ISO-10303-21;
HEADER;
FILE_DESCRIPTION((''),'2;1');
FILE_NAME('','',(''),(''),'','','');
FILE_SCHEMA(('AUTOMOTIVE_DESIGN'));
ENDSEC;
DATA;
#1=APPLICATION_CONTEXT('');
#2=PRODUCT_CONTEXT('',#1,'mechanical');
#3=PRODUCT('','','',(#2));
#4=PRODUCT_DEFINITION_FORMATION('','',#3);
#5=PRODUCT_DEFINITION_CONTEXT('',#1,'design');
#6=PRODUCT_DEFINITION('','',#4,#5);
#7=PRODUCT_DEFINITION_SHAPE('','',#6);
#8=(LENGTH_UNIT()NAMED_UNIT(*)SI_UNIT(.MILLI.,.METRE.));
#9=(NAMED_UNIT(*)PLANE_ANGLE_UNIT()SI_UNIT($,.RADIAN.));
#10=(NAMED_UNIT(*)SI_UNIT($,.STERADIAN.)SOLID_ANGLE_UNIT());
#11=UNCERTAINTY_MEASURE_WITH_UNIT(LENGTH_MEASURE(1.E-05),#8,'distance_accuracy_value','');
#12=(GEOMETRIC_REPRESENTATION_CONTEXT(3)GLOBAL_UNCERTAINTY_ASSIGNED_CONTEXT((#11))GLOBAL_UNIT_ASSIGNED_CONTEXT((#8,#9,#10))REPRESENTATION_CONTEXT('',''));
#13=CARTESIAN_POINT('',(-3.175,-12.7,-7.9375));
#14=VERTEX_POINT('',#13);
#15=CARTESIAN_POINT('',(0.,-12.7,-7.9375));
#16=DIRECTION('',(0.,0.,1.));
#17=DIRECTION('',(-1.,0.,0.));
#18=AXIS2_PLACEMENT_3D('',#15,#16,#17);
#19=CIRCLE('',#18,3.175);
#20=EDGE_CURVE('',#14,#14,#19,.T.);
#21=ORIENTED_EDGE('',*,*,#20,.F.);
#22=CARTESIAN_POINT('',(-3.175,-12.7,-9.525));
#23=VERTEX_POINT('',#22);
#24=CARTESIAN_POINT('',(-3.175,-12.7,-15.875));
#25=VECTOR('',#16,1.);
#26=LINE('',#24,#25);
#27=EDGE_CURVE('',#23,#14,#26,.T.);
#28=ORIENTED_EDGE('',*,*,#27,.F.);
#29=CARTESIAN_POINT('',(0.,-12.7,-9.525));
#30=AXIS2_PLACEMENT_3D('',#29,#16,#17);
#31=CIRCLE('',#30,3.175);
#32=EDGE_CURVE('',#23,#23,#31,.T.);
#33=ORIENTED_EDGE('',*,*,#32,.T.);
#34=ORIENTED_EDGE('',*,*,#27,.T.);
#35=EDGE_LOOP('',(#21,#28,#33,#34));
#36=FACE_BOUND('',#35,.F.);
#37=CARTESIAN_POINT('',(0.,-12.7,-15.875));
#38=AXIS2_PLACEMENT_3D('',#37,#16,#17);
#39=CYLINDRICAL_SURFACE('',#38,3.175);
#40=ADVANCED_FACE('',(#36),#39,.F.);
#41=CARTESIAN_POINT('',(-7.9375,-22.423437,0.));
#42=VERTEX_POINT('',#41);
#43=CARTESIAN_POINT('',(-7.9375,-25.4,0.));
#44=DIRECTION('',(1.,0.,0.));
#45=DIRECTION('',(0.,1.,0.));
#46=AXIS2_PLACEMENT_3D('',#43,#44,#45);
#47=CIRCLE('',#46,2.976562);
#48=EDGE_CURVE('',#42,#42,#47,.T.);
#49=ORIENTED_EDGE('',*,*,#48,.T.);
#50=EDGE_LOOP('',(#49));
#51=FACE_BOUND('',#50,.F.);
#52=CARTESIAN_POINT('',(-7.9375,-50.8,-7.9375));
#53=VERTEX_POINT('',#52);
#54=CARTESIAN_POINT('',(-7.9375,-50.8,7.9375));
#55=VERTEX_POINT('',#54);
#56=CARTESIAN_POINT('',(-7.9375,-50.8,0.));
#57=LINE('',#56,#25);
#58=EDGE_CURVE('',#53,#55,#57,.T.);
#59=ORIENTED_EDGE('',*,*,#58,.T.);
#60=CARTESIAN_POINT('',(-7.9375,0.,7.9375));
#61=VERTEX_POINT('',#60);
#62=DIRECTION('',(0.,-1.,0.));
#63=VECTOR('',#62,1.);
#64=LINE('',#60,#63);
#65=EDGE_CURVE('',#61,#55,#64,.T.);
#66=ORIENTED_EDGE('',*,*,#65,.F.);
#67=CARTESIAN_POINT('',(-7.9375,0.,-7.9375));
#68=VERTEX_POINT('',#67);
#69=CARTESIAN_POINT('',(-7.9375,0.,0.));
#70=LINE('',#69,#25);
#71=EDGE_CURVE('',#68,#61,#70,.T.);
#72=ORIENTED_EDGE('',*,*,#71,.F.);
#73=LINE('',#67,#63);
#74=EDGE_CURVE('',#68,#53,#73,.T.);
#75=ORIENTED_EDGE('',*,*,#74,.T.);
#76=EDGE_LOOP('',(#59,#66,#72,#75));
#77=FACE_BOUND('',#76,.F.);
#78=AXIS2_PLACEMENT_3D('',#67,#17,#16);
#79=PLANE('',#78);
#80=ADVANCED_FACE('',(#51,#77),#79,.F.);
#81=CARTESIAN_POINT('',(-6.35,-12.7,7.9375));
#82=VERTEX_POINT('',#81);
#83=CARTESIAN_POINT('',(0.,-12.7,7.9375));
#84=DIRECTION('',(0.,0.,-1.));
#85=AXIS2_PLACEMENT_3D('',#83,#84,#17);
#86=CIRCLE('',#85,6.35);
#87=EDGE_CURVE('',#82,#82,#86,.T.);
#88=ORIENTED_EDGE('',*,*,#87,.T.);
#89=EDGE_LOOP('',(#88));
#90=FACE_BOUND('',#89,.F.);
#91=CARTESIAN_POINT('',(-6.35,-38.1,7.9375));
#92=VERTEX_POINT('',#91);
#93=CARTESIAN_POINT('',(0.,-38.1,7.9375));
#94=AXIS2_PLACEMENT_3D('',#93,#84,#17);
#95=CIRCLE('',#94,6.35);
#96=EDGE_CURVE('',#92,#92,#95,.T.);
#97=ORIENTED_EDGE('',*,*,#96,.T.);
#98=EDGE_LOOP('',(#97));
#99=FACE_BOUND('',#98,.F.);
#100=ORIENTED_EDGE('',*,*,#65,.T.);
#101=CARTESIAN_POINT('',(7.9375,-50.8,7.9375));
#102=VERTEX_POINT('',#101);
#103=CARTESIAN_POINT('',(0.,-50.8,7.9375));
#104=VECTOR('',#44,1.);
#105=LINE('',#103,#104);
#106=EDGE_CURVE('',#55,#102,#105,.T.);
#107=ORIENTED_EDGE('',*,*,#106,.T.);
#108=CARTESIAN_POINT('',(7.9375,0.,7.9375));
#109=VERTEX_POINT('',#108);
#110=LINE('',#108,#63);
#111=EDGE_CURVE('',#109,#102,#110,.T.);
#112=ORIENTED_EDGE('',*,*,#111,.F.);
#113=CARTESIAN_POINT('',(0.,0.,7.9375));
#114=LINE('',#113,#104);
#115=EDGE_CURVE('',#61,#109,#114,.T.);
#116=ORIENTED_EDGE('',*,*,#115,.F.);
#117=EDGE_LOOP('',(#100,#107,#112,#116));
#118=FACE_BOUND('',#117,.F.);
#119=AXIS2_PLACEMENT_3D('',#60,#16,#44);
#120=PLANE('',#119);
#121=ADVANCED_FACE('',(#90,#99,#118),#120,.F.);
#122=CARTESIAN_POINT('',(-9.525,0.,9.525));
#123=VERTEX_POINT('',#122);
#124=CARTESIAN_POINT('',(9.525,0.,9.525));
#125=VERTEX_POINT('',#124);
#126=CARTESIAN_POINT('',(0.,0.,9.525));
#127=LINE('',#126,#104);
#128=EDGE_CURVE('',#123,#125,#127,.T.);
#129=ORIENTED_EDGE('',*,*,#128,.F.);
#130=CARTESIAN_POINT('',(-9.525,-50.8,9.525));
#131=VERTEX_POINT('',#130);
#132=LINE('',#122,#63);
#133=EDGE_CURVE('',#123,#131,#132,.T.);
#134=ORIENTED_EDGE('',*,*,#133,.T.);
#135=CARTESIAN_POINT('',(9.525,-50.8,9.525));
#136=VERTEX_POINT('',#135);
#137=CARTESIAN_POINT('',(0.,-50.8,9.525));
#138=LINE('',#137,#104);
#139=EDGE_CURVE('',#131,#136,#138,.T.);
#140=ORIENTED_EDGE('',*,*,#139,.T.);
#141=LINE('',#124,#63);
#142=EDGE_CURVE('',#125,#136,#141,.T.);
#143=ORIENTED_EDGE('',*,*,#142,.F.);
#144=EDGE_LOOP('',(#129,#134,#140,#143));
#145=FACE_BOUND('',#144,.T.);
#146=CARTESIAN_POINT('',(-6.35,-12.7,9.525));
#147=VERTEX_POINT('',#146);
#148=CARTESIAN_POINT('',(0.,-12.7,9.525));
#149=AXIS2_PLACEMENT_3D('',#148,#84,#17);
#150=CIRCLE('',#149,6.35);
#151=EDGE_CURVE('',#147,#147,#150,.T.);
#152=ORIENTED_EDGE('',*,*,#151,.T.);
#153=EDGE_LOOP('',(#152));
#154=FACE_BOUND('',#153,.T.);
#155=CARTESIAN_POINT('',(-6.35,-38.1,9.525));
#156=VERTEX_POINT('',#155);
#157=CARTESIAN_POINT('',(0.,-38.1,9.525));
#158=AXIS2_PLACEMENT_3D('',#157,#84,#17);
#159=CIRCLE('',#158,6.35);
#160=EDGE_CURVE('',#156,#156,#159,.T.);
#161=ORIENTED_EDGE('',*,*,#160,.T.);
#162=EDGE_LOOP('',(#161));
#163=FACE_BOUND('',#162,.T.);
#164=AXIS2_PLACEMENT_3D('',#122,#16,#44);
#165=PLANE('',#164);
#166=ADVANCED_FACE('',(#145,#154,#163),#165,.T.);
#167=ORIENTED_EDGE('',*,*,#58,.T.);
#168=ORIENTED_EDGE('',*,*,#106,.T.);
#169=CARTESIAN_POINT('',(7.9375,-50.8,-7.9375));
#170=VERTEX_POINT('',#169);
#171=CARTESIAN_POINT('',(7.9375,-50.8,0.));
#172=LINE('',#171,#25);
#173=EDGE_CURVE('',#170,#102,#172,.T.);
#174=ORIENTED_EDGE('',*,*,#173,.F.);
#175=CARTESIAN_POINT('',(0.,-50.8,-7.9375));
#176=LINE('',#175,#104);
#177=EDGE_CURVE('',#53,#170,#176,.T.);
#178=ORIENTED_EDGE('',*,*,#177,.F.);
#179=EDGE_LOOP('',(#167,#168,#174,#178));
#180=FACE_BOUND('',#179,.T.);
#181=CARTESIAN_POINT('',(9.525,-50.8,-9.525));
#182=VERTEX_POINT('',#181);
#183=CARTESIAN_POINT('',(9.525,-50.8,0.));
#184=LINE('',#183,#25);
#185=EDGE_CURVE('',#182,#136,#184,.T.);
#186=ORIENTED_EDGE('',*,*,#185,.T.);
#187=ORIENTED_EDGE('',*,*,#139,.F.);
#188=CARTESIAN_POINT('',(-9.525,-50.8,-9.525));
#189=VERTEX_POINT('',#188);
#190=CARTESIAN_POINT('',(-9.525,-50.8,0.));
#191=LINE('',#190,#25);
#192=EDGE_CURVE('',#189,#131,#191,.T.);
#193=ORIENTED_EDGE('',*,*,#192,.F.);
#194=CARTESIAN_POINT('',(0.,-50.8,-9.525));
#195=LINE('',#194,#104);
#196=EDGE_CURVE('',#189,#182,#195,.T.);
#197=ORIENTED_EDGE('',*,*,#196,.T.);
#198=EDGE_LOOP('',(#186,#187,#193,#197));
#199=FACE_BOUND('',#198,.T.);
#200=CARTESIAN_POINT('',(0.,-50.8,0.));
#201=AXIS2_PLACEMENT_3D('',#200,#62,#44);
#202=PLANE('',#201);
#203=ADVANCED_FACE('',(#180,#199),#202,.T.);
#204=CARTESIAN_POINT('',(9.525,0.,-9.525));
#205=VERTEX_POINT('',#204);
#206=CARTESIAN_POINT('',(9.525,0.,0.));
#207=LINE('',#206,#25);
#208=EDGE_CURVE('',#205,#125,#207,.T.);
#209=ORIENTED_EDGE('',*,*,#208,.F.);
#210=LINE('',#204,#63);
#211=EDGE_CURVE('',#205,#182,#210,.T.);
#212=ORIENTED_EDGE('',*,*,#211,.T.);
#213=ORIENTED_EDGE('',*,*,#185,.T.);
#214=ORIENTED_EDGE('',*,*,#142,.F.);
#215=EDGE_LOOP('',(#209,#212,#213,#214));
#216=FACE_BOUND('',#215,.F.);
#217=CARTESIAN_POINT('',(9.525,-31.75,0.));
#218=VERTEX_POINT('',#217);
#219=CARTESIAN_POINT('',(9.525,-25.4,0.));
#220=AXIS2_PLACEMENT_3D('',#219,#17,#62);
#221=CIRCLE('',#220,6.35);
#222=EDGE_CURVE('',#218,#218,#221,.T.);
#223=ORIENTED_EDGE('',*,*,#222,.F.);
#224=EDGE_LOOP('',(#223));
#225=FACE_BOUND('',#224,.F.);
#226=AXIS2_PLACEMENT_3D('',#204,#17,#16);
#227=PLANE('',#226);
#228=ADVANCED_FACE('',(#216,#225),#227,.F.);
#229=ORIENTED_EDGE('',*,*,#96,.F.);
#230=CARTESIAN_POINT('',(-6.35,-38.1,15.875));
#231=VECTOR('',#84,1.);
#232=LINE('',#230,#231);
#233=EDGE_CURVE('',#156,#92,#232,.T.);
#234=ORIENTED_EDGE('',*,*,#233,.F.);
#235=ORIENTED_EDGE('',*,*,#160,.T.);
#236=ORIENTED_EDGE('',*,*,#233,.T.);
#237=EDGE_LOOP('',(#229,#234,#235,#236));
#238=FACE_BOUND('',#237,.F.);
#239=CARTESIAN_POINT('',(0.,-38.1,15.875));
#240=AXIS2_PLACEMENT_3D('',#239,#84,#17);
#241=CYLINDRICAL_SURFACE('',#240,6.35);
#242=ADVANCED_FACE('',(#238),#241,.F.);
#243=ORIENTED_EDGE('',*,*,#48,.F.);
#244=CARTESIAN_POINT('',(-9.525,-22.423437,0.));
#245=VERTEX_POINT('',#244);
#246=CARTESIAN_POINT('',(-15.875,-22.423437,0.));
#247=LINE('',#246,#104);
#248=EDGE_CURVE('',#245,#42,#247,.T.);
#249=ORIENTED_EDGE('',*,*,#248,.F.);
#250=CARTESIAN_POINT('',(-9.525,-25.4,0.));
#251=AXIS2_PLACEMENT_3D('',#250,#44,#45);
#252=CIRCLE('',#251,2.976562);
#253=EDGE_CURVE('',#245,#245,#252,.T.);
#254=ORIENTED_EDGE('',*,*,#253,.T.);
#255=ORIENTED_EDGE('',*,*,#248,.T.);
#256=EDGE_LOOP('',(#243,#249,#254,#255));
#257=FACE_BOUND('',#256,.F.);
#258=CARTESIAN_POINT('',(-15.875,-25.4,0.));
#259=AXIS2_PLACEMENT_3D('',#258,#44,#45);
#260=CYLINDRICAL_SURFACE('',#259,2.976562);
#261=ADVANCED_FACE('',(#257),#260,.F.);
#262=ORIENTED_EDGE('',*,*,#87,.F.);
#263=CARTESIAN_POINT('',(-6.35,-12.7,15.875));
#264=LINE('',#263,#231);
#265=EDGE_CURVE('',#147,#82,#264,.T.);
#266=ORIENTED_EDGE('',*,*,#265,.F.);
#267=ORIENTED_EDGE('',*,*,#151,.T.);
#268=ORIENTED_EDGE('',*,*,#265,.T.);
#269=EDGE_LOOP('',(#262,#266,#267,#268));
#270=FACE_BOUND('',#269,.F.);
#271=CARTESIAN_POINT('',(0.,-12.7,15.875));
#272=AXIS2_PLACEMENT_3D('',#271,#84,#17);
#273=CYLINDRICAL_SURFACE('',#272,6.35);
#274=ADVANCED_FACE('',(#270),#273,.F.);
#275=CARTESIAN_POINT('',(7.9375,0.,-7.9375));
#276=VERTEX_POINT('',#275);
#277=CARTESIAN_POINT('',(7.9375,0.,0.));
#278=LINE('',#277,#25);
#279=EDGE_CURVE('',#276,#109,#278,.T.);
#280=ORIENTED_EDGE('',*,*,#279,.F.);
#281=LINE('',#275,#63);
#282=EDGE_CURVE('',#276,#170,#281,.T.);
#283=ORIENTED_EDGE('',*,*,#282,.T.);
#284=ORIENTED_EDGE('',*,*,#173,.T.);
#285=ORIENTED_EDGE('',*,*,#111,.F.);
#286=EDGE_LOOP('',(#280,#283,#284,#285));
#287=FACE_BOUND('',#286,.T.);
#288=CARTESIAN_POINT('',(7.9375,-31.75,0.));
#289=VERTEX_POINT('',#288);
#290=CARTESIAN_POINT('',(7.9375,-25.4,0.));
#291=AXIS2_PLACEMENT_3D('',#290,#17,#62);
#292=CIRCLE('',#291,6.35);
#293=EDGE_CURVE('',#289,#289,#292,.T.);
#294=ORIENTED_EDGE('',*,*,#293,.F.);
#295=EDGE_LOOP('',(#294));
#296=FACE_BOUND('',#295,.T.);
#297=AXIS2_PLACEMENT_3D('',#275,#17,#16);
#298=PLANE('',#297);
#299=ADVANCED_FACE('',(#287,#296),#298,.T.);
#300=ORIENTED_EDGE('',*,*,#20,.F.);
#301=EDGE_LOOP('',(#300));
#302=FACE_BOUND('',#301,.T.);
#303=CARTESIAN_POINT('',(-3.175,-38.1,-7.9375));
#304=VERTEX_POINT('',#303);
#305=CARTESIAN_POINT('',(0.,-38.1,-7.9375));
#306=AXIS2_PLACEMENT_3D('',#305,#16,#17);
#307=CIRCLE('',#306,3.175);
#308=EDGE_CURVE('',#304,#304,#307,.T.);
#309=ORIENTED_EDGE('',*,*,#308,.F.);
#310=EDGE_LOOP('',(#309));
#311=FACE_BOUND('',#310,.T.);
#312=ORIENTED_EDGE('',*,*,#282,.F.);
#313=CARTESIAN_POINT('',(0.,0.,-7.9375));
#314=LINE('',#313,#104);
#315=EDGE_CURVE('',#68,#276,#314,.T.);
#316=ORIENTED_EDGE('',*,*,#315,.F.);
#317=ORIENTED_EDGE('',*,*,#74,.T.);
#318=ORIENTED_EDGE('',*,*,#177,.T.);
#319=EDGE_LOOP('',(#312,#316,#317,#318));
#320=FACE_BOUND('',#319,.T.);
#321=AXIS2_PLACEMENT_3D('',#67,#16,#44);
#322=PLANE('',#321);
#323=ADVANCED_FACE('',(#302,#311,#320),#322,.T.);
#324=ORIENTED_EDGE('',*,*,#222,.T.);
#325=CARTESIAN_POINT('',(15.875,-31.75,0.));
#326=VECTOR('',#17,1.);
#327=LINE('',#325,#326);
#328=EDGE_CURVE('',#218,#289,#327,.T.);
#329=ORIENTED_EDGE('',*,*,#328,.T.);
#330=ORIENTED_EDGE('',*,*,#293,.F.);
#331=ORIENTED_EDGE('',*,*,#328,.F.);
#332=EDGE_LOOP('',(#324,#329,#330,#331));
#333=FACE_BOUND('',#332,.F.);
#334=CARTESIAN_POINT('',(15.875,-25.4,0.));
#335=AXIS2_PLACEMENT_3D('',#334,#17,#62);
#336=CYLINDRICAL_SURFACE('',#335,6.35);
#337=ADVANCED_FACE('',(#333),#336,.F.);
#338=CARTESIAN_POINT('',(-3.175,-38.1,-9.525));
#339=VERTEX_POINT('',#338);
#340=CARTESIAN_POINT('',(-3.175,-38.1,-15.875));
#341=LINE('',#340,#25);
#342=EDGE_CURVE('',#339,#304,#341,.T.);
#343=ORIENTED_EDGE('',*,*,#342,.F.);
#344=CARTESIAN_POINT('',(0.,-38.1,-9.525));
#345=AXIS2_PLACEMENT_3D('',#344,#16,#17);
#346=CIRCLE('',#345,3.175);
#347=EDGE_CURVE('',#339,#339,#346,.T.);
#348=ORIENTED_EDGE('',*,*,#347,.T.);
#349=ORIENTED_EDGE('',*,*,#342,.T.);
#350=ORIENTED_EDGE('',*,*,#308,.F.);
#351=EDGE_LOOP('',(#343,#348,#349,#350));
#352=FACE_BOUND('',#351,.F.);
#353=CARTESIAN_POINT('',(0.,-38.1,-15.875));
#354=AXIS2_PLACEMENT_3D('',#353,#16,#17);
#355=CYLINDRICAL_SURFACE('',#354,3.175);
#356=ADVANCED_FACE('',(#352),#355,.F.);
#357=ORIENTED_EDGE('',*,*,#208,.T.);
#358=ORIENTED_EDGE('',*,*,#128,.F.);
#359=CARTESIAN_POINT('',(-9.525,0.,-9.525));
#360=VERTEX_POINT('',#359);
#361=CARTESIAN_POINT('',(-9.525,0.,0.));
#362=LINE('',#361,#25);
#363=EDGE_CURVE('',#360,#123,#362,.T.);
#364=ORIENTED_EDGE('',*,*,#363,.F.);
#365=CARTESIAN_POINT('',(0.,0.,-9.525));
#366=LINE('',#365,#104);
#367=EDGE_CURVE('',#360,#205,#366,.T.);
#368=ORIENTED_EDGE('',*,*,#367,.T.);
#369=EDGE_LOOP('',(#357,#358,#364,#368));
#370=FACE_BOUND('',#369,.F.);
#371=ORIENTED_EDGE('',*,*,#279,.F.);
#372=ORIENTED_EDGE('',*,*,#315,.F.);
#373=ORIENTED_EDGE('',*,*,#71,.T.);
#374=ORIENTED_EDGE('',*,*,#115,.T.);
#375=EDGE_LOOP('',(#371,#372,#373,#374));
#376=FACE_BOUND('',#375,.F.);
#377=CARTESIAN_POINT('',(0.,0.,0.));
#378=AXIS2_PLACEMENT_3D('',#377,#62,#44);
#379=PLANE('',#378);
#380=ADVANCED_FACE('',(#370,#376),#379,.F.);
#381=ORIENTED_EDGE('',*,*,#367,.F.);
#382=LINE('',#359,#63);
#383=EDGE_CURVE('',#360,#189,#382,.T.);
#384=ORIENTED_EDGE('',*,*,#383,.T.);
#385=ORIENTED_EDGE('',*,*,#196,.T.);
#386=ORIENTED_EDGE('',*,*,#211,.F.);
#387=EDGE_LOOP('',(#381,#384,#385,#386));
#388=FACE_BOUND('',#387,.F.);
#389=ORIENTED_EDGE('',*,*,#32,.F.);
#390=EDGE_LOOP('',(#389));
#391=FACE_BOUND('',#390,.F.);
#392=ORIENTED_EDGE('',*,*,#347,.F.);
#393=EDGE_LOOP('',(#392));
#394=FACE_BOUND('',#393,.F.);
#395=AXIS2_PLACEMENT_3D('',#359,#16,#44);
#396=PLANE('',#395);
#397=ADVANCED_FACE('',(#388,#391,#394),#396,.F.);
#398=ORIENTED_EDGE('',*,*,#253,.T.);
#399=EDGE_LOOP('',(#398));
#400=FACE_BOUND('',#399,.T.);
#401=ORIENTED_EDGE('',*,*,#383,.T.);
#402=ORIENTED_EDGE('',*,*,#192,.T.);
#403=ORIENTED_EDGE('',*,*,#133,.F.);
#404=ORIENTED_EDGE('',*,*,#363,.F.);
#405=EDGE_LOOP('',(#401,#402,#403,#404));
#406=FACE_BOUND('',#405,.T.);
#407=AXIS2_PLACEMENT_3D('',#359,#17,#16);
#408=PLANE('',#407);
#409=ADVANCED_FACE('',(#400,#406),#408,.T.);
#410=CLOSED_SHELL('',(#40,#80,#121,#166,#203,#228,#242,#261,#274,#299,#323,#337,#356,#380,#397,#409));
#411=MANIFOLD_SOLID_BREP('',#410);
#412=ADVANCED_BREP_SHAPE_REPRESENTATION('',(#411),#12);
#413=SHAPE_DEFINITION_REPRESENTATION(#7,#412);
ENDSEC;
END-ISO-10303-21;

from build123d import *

# Parameters (mm, degrees)
F0_W     = 19.05
F0_H     = 19.05
F0_W_2   = 15.875
F0_H_2   = 15.875
F1_DEPTH = 50.8
F3_D     = 5.953125
F3_DEPTH = 6.35
F5_D     = 12.7
F5_DEPTH = 6.35
F7_D     = 12.7
F7_DEPTH = 6.35
F9_D     = 6.35
F9_DEPTH = 6.35


with BuildPart() as f1:
    # F0 (on Front) → F1 (new body)
    with BuildSketch(Plane.XZ):
        Rectangle(F0_W, F0_H)
        Rectangle(F0_W_2, F0_H_2, mode=Mode.SUBTRACT)
    extrude(amount=F1_DEPTH)

    # F3
    with Locations(Plane(origin=(-9.525, 0, 0), x_dir=(0, -1, 0), z_dir=(-1, 0, 0))):
        with Locations((25.4, 0)):
            Hole(F3_D / 2, depth=F3_DEPTH)

    # F5
    with Locations(Plane.YZ.offset(9.525)):
        with Locations((-25.4, 0)):
            Hole(F5_D / 2, depth=F5_DEPTH)

    # F7
    with Locations(Plane.XY.offset(9.525)):
        with Locations((0, -12.7), (0, -38.1)):
            Hole(F7_D / 2, depth=F7_DEPTH)

    # F9
    with Locations(Plane(origin=(0, 0, -9.525), x_dir=(1, 0, 0), z_dir=(0, 0, -1))):
        with Locations((0, 12.7), (0, 38.1)):
            Hole(F9_D / 2, depth=F9_DEPTH)


solid = f1.part
